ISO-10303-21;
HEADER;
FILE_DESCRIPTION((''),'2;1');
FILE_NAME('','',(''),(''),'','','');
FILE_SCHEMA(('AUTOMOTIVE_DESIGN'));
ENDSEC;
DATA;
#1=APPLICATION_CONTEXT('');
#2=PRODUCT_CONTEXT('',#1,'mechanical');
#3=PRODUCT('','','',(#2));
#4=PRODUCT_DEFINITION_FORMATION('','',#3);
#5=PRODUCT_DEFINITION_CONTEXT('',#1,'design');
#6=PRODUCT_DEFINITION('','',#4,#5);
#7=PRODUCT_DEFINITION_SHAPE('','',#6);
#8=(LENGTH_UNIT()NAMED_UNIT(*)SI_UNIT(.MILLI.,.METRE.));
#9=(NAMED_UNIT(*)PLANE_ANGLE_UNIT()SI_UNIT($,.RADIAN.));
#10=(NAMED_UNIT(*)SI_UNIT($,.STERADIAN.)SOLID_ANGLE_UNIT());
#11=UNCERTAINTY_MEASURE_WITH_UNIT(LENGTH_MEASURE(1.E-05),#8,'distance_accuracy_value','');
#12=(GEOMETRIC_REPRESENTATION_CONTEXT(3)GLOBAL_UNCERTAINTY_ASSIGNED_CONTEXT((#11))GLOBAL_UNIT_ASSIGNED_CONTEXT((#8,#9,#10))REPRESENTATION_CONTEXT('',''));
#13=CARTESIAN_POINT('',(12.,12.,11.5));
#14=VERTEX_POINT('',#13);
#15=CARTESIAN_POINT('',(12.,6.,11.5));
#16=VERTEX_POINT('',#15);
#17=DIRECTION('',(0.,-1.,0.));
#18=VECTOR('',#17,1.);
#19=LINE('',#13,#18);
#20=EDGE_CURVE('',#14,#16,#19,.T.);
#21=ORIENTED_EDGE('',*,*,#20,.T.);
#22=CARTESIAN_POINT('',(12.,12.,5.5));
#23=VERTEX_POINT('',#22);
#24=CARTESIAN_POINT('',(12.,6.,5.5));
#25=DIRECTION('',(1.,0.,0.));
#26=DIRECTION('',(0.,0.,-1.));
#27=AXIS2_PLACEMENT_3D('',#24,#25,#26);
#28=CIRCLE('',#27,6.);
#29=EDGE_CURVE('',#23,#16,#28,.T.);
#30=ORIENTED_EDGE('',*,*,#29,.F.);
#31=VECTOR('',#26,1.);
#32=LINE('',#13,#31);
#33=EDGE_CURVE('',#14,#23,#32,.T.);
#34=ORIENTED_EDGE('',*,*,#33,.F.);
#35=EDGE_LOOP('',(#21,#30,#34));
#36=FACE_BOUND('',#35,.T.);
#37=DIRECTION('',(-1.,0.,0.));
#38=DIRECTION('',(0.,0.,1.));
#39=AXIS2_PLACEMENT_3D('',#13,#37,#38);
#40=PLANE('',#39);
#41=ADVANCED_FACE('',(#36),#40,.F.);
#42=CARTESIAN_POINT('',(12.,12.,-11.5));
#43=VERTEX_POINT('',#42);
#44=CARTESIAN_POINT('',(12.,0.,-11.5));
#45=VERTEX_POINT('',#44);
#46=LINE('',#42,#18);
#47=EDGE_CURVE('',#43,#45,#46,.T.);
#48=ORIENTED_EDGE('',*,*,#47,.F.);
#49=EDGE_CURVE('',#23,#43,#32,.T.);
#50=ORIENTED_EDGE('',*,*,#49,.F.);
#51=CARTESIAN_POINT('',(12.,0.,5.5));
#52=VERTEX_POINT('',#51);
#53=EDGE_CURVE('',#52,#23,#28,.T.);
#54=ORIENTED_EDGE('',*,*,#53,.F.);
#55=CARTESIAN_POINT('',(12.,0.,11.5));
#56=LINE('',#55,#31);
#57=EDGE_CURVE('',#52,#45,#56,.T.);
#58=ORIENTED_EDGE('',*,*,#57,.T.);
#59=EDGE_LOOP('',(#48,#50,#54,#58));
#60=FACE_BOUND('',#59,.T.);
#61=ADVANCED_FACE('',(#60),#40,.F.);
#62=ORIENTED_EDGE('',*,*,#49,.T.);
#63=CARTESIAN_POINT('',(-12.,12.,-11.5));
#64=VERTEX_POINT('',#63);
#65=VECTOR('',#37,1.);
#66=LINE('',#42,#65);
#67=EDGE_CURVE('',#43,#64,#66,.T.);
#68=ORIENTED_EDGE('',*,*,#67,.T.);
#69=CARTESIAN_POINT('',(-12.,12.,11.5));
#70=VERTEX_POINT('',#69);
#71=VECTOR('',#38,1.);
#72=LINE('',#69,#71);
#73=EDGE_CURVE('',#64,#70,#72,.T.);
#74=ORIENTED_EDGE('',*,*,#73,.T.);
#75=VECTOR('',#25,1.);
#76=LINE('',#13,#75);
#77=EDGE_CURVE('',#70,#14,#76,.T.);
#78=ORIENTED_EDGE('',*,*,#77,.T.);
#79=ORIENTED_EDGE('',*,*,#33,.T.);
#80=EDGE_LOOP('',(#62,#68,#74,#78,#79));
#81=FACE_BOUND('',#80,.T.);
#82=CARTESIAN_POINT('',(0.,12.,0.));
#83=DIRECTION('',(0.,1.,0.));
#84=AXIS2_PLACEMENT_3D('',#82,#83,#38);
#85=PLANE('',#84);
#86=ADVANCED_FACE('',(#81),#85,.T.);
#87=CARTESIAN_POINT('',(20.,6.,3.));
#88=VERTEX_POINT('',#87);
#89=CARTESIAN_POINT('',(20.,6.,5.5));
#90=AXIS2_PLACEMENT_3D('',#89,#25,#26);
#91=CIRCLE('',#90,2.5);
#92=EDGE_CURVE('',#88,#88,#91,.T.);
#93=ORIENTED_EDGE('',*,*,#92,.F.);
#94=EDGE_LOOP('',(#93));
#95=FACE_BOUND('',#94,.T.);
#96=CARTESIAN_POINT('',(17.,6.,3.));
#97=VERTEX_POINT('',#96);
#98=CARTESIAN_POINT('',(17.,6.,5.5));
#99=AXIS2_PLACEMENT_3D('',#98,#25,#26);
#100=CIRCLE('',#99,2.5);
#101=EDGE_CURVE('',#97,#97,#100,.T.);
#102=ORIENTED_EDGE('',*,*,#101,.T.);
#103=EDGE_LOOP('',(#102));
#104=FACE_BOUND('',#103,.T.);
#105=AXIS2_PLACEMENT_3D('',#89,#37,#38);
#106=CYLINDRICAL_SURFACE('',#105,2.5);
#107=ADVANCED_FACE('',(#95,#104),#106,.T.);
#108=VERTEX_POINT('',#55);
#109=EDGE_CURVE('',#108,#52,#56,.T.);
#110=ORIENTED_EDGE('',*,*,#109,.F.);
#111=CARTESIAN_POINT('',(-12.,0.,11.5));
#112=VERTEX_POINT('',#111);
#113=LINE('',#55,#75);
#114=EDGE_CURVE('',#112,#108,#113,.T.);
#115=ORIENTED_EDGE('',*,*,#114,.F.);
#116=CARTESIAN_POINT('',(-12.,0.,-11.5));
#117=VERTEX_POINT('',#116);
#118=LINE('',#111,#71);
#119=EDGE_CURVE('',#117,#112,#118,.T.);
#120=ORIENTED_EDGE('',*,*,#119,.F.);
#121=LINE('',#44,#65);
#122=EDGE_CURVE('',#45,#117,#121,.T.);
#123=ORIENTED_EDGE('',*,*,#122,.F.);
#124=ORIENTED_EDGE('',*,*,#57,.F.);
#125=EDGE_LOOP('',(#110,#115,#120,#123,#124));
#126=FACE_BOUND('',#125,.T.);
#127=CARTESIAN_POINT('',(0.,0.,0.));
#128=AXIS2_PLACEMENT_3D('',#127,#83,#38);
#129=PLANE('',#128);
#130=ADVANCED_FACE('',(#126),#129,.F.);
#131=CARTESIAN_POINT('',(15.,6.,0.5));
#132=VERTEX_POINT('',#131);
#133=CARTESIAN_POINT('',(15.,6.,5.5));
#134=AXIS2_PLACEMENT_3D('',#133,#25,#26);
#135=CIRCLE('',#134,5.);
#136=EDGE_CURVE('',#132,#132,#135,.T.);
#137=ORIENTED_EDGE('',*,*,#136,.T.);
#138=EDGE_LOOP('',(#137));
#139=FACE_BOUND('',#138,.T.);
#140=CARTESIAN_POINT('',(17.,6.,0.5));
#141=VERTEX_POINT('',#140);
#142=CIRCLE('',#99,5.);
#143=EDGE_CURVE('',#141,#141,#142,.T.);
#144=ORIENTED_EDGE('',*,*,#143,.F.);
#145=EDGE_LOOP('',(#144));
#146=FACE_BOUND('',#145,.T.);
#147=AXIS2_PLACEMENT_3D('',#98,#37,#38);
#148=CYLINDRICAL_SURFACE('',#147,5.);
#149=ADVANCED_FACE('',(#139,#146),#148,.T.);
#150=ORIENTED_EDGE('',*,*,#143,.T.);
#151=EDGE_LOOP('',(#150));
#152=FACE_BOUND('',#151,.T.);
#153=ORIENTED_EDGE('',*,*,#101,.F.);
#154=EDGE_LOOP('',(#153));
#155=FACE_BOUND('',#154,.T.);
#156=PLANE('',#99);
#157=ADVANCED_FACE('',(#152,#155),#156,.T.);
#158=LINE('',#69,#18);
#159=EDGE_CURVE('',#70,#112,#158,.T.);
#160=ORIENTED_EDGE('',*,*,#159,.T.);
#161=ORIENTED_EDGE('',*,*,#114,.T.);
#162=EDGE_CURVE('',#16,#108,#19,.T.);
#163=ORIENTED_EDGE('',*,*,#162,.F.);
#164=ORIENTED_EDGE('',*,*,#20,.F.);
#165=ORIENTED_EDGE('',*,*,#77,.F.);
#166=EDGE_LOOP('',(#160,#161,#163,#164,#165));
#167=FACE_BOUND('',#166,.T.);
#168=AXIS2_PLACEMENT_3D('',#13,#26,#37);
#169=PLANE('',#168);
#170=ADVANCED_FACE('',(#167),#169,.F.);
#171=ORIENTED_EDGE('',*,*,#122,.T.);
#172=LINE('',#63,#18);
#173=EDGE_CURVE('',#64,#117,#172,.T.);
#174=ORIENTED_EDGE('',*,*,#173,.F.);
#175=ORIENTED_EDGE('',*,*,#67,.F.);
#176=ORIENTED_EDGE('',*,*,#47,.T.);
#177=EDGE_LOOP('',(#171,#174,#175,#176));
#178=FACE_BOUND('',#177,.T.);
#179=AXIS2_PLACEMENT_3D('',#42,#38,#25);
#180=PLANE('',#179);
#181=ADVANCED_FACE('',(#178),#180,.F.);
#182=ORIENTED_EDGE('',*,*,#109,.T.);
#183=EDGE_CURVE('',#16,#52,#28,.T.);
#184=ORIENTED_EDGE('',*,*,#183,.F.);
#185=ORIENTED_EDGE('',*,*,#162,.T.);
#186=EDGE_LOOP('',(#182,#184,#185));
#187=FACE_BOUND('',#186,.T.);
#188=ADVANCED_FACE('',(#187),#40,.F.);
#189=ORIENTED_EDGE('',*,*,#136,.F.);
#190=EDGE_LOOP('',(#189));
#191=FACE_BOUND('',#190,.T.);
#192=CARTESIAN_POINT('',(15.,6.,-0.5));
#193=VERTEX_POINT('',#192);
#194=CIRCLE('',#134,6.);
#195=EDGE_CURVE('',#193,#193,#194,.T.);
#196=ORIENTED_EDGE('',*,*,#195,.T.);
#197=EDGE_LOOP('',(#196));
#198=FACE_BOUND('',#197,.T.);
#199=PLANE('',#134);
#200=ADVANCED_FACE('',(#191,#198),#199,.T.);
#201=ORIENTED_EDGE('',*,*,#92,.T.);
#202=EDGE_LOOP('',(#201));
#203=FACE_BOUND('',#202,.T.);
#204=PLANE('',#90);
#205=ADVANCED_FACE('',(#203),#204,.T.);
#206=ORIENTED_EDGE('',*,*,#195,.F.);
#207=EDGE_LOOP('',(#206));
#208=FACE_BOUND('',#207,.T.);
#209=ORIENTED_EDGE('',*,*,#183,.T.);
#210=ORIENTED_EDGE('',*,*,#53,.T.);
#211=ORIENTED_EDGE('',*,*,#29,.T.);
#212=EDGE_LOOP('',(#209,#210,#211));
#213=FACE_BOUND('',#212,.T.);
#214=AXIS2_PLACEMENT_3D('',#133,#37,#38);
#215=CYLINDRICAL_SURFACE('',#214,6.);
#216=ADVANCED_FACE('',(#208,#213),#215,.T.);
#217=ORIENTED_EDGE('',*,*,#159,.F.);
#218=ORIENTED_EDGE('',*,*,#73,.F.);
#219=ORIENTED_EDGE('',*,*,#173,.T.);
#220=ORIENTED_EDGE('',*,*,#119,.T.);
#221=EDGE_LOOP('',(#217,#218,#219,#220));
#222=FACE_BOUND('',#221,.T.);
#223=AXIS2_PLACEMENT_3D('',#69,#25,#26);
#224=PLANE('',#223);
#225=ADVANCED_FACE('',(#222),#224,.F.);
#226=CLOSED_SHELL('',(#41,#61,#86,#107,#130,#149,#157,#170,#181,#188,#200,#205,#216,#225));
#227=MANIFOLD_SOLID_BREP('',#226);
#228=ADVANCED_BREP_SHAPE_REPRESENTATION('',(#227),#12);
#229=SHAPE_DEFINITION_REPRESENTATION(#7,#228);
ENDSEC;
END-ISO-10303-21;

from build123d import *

# Parameters (mm, degrees)
SCHIZZO1_W                   = 24
SCHIZZO1_H                   = 23
CORPOCENTRALE_DEPTH          = 12
SCHIZZO2_R                   = 6
ESTRUSIONE_ESTRUSIONE2_DEPTH = 3
SCHIZZO3_R                   = 5
ESTRUSIONE_ESTRUSIONE3_DEPTH = 2
SCHIZZO4_R                   = 2.5
ESTRUSIONE_ESTRUSIONE4_DEPTH = 3


with BuildPart() as part:
    # Schizzo1 → CorpoCentrale (new body)
    with BuildSketch(Plane(origin=(0, 0, 0), x_dir=(1, 0, 0), z_dir=(0, 1, 0))):
        Rectangle(SCHIZZO1_W, SCHIZZO1_H)
    extrude(amount=CORPOCENTRALE_DEPTH)

    # Schizzo2 → Estrusione-Estrusione2 (add)
    with BuildSketch(Plane(origin=(12, 0, 0), x_dir=(0, 0, -1), z_dir=(1, 0, 0))):
        with Locations(Location((-5.5, 6, 0), (0, 0, 180))):
            Circle(SCHIZZO2_R)
    extrude(amount=ESTRUSIONE_ESTRUSIONE2_DEPTH)

    # Schizzo3 → Estrusione-Estrusione3 (add)
    with BuildSketch(Plane(origin=(15, 0, 0), x_dir=(0, 0, -1), z_dir=(1, 0, 0))):
        with Locations((-5.5, 6)):
            Circle(SCHIZZO3_R)
    extrude(amount=ESTRUSIONE_ESTRUSIONE3_DEPTH)

    # Schizzo4 → Estrusione-Estrusione4 (add)
    with BuildSketch(Plane(origin=(17, 0, 0), x_dir=(0, 0, -1), z_dir=(1, 0, 0))):
        with Locations((-5.5, 6)):
            Circle(SCHIZZO4_R)
    extrude(amount=ESTRUSIONE_ESTRUSIONE4_DEPTH)


solid = part.part
